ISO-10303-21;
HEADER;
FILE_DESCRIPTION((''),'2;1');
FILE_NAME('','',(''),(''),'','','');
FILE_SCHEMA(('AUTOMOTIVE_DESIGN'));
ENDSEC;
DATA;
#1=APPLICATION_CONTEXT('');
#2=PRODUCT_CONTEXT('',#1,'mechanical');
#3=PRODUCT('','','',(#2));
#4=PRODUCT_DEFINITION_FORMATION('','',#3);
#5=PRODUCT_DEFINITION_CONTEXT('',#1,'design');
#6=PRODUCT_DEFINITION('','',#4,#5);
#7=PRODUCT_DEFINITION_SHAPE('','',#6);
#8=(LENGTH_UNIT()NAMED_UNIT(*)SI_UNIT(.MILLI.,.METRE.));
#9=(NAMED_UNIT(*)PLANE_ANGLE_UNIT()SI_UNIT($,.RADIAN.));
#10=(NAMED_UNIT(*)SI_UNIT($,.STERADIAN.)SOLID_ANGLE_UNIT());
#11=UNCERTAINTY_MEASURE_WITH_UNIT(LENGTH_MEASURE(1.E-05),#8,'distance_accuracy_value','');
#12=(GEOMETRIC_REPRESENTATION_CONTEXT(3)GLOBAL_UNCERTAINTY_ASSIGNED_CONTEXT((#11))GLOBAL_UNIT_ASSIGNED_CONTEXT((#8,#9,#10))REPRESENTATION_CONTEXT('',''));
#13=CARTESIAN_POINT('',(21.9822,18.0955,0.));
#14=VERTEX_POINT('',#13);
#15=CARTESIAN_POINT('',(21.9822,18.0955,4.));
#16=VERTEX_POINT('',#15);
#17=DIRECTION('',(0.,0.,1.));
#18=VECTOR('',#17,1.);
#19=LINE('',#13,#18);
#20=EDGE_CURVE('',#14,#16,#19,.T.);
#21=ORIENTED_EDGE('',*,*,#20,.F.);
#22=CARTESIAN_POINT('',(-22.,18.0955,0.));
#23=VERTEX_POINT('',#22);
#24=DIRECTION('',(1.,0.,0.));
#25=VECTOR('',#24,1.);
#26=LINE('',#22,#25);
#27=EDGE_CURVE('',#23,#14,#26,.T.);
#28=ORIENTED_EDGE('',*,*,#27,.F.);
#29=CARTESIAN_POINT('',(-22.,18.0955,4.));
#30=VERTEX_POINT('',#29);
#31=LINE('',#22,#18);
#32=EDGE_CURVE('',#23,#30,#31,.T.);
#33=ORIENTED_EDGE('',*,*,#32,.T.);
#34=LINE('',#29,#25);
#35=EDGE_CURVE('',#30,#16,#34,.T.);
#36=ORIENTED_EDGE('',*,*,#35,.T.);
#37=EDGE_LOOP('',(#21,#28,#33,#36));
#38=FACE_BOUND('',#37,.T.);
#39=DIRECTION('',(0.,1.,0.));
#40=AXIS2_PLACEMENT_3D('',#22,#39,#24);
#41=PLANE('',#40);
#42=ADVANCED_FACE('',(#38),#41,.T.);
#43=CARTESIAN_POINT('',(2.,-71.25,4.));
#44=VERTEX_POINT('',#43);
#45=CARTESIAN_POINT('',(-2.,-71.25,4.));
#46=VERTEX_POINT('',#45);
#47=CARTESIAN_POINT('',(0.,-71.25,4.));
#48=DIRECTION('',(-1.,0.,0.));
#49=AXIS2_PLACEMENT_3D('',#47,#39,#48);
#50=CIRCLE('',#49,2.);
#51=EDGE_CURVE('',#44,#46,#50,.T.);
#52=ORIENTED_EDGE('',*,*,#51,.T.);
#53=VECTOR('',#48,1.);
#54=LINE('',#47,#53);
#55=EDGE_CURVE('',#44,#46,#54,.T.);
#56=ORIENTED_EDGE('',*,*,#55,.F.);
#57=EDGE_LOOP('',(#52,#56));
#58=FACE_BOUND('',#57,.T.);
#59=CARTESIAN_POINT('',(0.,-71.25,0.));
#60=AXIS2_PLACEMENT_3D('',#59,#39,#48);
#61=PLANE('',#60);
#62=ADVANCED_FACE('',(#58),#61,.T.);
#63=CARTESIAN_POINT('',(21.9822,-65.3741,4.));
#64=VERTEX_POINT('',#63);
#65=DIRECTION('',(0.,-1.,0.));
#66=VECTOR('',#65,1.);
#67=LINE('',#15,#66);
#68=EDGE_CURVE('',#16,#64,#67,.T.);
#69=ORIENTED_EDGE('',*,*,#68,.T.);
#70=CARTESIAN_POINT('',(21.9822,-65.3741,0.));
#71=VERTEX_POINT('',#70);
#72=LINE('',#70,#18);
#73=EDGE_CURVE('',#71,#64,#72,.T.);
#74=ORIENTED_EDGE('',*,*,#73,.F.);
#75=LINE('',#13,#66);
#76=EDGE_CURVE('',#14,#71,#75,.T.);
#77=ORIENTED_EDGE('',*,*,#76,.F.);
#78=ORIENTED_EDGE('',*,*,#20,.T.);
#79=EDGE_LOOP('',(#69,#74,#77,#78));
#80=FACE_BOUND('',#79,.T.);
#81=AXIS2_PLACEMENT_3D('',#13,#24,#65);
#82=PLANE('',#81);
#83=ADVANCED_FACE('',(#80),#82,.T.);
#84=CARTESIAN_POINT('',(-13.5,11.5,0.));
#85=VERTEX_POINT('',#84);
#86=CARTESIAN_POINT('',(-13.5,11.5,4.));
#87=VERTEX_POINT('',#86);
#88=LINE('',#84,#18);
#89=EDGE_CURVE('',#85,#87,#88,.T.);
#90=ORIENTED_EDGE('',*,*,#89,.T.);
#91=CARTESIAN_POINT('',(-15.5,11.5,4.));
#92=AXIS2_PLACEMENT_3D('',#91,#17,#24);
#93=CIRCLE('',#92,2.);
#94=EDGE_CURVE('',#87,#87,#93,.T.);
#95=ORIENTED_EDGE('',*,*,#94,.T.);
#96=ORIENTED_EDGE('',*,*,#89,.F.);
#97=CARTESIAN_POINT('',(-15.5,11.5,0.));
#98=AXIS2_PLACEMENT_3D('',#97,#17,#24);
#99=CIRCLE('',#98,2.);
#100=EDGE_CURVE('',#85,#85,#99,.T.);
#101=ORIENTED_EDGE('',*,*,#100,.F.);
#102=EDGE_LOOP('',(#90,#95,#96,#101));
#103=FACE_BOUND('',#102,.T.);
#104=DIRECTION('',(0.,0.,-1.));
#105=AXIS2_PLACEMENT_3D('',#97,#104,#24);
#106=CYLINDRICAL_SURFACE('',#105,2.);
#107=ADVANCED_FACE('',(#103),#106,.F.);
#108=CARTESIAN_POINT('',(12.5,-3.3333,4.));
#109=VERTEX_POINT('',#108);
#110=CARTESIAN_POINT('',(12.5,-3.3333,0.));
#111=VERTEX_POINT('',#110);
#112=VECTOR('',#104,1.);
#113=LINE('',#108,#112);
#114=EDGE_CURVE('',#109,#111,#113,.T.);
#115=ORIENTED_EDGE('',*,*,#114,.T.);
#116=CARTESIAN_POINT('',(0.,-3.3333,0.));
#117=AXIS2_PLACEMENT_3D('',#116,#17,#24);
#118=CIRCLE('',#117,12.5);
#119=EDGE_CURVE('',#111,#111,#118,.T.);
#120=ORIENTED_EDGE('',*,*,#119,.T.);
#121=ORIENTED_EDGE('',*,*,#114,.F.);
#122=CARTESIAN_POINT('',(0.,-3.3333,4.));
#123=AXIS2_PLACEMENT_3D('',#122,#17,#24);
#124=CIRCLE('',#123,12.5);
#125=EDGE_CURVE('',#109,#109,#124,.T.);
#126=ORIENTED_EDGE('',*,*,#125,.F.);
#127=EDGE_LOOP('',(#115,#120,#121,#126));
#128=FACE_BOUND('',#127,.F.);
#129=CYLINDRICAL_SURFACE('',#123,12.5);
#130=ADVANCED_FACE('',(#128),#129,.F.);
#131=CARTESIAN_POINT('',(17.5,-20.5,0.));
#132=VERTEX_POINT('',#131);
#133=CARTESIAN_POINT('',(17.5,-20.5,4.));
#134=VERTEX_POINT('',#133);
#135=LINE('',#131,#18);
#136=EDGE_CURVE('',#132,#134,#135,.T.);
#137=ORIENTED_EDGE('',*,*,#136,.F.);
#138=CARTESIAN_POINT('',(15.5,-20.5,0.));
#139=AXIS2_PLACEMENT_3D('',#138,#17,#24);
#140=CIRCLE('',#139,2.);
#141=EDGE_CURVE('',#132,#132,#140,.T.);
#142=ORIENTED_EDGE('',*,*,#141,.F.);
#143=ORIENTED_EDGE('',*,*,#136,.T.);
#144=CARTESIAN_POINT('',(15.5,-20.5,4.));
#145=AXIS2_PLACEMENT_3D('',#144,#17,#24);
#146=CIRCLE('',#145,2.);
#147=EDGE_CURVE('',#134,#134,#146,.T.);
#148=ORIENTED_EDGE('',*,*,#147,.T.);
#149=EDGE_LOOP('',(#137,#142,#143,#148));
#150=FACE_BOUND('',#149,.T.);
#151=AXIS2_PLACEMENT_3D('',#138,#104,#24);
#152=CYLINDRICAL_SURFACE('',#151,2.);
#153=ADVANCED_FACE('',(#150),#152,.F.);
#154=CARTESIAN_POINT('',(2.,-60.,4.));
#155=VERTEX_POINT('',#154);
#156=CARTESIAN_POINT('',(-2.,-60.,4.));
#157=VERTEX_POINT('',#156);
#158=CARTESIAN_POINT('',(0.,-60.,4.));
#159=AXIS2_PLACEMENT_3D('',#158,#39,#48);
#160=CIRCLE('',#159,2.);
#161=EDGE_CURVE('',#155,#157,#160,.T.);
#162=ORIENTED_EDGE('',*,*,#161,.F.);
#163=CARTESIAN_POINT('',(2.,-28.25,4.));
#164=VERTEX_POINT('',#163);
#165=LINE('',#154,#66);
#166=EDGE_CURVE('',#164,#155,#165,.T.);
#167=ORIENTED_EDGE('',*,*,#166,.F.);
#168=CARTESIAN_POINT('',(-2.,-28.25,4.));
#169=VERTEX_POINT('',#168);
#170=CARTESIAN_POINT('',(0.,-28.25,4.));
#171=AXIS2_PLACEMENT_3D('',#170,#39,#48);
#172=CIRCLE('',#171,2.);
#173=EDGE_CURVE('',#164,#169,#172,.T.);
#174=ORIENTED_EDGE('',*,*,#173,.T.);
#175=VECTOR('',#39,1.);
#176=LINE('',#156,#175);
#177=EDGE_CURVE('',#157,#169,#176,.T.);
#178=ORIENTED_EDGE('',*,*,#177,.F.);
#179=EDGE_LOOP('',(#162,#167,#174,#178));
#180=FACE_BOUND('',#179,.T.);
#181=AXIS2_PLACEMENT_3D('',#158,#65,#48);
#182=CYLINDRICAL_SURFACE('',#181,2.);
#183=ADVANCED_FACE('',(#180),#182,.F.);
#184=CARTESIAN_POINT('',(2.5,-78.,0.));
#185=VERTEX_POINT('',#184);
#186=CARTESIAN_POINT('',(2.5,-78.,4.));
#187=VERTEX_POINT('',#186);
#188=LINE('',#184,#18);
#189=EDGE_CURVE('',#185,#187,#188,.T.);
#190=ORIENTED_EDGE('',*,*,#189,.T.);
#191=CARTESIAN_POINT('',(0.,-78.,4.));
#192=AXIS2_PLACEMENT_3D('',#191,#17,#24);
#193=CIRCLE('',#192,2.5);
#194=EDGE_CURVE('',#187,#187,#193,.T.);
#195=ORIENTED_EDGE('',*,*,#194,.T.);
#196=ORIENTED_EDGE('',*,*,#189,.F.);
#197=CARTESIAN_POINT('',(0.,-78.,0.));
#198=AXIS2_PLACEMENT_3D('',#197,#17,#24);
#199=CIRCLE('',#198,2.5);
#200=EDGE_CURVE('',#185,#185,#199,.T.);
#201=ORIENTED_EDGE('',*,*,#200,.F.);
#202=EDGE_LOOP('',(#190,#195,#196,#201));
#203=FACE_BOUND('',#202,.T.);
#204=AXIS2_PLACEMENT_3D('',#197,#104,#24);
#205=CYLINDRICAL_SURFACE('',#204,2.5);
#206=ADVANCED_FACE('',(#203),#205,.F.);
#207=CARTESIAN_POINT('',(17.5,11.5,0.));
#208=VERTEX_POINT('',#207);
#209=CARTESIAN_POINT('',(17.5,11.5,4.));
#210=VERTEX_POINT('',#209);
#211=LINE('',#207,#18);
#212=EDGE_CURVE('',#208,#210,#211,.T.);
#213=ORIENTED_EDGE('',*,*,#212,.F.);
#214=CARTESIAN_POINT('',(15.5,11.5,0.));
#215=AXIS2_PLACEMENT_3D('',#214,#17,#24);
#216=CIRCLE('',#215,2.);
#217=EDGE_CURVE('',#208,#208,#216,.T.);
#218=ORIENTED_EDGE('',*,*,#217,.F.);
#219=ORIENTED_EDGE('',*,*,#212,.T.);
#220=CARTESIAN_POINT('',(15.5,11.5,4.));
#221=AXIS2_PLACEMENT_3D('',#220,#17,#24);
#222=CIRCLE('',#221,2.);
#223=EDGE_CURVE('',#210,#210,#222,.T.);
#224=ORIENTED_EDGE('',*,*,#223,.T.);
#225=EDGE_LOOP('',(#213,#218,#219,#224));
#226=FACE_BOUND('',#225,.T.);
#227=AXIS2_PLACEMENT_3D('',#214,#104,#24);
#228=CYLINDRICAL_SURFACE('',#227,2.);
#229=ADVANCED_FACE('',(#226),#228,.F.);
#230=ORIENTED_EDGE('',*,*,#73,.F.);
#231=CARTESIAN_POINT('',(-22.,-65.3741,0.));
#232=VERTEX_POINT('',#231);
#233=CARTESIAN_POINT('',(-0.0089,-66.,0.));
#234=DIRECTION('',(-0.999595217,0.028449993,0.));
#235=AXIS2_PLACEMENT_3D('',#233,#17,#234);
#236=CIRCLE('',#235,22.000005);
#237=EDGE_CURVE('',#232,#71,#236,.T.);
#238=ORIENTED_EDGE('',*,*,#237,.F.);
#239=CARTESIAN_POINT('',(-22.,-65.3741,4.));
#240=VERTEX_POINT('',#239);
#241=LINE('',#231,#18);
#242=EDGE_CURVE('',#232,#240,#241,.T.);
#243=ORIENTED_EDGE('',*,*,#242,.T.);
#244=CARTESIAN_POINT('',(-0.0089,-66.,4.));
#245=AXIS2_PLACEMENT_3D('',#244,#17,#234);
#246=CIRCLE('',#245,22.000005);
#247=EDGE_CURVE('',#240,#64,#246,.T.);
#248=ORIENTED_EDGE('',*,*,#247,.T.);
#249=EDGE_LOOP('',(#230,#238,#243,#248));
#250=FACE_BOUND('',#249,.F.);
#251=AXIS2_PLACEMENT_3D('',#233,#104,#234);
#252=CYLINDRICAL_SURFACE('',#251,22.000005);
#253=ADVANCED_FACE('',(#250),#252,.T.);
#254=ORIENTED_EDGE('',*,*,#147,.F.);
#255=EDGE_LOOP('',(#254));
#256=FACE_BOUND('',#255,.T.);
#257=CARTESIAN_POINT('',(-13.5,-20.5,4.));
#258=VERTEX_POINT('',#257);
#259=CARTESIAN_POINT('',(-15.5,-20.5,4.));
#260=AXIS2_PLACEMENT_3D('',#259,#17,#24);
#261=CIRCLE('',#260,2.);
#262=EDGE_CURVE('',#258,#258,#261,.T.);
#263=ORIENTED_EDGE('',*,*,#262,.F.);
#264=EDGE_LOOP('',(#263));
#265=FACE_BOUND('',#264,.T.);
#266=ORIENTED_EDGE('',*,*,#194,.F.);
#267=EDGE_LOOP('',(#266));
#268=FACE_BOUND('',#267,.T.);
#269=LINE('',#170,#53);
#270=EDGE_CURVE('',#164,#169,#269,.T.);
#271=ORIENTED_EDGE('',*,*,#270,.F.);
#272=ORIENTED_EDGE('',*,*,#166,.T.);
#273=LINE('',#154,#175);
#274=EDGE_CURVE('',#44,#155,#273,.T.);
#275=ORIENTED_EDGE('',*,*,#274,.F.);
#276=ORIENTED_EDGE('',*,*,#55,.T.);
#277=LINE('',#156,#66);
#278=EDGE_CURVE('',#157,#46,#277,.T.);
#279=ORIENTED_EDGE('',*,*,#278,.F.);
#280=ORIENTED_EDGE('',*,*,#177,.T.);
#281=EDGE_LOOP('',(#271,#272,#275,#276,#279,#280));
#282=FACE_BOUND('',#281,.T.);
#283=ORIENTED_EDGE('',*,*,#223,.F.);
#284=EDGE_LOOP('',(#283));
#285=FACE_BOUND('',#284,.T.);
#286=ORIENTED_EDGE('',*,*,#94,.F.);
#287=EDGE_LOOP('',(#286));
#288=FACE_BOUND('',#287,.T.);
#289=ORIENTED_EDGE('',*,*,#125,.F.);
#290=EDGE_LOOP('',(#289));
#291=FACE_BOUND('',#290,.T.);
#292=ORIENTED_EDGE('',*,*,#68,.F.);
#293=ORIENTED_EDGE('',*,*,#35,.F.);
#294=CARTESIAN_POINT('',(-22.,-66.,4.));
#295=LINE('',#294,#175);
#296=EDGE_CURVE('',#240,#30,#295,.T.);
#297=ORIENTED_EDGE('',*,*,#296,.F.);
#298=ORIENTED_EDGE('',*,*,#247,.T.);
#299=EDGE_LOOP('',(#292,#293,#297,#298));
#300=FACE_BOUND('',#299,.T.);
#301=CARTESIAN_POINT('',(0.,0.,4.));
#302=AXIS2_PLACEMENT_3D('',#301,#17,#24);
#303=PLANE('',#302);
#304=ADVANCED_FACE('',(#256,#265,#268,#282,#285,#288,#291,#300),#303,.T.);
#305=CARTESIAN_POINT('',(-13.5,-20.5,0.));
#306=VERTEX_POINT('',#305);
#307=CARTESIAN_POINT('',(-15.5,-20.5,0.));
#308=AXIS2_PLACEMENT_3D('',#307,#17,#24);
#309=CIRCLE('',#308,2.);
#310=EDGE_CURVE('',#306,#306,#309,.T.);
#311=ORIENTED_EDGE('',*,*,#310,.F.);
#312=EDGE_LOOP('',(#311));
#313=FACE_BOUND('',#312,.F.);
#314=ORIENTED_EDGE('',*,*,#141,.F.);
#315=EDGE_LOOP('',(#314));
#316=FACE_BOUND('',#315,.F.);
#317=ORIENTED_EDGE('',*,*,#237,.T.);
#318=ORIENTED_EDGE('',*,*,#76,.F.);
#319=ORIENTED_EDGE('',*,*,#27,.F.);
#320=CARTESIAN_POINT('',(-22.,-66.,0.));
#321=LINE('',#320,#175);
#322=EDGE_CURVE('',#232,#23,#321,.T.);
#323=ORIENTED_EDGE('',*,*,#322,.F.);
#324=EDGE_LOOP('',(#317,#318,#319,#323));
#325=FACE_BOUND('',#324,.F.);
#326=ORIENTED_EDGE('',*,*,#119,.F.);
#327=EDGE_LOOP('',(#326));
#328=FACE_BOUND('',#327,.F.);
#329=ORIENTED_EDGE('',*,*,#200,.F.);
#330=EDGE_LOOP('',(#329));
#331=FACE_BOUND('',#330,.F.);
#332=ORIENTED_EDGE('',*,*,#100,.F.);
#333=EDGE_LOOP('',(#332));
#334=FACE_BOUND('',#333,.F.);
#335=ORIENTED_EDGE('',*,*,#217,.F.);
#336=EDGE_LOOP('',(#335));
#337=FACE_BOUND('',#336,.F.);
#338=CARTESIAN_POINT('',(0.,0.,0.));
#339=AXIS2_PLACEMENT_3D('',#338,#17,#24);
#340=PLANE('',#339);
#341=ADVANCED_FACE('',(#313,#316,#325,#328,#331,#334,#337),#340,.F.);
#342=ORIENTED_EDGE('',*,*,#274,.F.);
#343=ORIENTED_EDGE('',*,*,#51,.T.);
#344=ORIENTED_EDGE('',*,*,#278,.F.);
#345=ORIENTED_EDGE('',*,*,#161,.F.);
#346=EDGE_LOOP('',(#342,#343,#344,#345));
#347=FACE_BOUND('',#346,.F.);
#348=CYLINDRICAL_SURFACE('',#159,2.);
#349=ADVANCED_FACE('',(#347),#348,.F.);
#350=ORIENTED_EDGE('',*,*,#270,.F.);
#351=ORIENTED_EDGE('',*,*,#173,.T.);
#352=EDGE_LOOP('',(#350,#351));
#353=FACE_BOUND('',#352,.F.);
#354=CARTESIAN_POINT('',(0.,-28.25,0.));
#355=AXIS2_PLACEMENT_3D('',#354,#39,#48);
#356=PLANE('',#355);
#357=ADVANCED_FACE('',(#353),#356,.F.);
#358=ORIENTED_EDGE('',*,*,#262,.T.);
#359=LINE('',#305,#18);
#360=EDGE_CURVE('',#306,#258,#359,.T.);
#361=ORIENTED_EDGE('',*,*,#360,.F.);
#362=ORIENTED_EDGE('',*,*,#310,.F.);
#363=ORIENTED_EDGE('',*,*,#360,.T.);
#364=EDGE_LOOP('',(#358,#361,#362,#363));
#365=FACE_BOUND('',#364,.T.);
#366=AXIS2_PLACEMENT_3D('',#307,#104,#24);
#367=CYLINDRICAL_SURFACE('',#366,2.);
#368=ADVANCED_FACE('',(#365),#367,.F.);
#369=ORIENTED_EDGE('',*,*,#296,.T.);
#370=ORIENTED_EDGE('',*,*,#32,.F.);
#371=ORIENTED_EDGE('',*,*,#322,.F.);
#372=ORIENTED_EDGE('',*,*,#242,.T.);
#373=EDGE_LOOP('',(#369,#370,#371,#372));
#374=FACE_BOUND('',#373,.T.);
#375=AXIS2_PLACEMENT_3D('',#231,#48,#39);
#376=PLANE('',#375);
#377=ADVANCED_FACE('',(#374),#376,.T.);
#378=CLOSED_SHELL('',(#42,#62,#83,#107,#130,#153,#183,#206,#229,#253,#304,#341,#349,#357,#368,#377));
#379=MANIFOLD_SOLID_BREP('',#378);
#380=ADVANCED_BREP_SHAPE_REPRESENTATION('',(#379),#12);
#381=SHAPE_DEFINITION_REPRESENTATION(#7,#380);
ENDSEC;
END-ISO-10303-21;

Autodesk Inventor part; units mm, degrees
ref_plane "YZ Plane" through (0, 0, 0) normal (1, 0, 0) x (0, 1, 0)
ref_plane "XZ Plane" through (0, 0, 0) normal (0, 1, 0) x (-1, 0, 0)
ref_plane "XY Plane" through (0, 0, 0) normal (0, 0, 1) x (1, 0, 0)
sketch "Sketch1" plane through (0, 0, 0) normal (0, 0, 1) x (1, 0, 0)
  line L0 (-22, 18.0955) -> (21.9822, 18.0955)
  line L1 (21.9822, 18.0955) -> (21.9822, -66)
  line L2 (-22, -66) -> (-22, 18.0955)
  arc A0 (-22, -65.3741) -> (21.9822, -65.3741) centre (-0.0089, -66) ccw
  point P0 (0, 0)
  dimension "d22" = 44
extrude "Base" add sketch "Sketch1" along normal blind 4
sketch "Sketch2" plane through (0, 0, 0) normal (0, 0, 1) x (1, 0, 0)
  circle A0 centre (-15.5, 11.5) radius 2
  circle A1 centre (15.5, 11.5) radius 2
  circle A2 centre (-15.5, -20.5) radius 2
  circle A3 centre (15.5, -20.5) radius 2
  point P0 (0, 0)
extrude "Mounting Holes" cut sketch "Sketch2" along normal blind 4
sketch "Sketch3" plane through (0, 0, 0) normal (0, 0, 1) x (1, 0, 0)
  circle A0 centre (0, -78) radius 2.5
  point P0 (0, 0)
  dimension "d24" = 5
extrude "Pivot Hole" cut sketch "Sketch3" along normal blind 4
ref_plane "Work Plane2" through (0, -60, 0) normal (0, 1, 0) x (-1, 0, 0)
sketch "Sketch4" plane through (0, -60, 0) normal (0, 1, 0) x (-1, 0, 0)
  circle A0 centre (0, 4) radius 2
  point P0 (0, 0)
  dimension "d14" = 4
extrude "Support Ridge" cut sketch "Sketch4" along normal blind 31.75 and the other way blind 11.25
sketch "Sketch5" plane through (0, 0, 4) normal (0, 0, 1) x (1, 0, 0)
  circle A0 centre (0, -3.3333) radius 12.5
  point P0 (0, 0)
  dimension "d19" = 25
extrude "Shaft Hole" cut sketch "Sketch5" against normal blind 4
properties part number "DispenserBrace3gallon"
